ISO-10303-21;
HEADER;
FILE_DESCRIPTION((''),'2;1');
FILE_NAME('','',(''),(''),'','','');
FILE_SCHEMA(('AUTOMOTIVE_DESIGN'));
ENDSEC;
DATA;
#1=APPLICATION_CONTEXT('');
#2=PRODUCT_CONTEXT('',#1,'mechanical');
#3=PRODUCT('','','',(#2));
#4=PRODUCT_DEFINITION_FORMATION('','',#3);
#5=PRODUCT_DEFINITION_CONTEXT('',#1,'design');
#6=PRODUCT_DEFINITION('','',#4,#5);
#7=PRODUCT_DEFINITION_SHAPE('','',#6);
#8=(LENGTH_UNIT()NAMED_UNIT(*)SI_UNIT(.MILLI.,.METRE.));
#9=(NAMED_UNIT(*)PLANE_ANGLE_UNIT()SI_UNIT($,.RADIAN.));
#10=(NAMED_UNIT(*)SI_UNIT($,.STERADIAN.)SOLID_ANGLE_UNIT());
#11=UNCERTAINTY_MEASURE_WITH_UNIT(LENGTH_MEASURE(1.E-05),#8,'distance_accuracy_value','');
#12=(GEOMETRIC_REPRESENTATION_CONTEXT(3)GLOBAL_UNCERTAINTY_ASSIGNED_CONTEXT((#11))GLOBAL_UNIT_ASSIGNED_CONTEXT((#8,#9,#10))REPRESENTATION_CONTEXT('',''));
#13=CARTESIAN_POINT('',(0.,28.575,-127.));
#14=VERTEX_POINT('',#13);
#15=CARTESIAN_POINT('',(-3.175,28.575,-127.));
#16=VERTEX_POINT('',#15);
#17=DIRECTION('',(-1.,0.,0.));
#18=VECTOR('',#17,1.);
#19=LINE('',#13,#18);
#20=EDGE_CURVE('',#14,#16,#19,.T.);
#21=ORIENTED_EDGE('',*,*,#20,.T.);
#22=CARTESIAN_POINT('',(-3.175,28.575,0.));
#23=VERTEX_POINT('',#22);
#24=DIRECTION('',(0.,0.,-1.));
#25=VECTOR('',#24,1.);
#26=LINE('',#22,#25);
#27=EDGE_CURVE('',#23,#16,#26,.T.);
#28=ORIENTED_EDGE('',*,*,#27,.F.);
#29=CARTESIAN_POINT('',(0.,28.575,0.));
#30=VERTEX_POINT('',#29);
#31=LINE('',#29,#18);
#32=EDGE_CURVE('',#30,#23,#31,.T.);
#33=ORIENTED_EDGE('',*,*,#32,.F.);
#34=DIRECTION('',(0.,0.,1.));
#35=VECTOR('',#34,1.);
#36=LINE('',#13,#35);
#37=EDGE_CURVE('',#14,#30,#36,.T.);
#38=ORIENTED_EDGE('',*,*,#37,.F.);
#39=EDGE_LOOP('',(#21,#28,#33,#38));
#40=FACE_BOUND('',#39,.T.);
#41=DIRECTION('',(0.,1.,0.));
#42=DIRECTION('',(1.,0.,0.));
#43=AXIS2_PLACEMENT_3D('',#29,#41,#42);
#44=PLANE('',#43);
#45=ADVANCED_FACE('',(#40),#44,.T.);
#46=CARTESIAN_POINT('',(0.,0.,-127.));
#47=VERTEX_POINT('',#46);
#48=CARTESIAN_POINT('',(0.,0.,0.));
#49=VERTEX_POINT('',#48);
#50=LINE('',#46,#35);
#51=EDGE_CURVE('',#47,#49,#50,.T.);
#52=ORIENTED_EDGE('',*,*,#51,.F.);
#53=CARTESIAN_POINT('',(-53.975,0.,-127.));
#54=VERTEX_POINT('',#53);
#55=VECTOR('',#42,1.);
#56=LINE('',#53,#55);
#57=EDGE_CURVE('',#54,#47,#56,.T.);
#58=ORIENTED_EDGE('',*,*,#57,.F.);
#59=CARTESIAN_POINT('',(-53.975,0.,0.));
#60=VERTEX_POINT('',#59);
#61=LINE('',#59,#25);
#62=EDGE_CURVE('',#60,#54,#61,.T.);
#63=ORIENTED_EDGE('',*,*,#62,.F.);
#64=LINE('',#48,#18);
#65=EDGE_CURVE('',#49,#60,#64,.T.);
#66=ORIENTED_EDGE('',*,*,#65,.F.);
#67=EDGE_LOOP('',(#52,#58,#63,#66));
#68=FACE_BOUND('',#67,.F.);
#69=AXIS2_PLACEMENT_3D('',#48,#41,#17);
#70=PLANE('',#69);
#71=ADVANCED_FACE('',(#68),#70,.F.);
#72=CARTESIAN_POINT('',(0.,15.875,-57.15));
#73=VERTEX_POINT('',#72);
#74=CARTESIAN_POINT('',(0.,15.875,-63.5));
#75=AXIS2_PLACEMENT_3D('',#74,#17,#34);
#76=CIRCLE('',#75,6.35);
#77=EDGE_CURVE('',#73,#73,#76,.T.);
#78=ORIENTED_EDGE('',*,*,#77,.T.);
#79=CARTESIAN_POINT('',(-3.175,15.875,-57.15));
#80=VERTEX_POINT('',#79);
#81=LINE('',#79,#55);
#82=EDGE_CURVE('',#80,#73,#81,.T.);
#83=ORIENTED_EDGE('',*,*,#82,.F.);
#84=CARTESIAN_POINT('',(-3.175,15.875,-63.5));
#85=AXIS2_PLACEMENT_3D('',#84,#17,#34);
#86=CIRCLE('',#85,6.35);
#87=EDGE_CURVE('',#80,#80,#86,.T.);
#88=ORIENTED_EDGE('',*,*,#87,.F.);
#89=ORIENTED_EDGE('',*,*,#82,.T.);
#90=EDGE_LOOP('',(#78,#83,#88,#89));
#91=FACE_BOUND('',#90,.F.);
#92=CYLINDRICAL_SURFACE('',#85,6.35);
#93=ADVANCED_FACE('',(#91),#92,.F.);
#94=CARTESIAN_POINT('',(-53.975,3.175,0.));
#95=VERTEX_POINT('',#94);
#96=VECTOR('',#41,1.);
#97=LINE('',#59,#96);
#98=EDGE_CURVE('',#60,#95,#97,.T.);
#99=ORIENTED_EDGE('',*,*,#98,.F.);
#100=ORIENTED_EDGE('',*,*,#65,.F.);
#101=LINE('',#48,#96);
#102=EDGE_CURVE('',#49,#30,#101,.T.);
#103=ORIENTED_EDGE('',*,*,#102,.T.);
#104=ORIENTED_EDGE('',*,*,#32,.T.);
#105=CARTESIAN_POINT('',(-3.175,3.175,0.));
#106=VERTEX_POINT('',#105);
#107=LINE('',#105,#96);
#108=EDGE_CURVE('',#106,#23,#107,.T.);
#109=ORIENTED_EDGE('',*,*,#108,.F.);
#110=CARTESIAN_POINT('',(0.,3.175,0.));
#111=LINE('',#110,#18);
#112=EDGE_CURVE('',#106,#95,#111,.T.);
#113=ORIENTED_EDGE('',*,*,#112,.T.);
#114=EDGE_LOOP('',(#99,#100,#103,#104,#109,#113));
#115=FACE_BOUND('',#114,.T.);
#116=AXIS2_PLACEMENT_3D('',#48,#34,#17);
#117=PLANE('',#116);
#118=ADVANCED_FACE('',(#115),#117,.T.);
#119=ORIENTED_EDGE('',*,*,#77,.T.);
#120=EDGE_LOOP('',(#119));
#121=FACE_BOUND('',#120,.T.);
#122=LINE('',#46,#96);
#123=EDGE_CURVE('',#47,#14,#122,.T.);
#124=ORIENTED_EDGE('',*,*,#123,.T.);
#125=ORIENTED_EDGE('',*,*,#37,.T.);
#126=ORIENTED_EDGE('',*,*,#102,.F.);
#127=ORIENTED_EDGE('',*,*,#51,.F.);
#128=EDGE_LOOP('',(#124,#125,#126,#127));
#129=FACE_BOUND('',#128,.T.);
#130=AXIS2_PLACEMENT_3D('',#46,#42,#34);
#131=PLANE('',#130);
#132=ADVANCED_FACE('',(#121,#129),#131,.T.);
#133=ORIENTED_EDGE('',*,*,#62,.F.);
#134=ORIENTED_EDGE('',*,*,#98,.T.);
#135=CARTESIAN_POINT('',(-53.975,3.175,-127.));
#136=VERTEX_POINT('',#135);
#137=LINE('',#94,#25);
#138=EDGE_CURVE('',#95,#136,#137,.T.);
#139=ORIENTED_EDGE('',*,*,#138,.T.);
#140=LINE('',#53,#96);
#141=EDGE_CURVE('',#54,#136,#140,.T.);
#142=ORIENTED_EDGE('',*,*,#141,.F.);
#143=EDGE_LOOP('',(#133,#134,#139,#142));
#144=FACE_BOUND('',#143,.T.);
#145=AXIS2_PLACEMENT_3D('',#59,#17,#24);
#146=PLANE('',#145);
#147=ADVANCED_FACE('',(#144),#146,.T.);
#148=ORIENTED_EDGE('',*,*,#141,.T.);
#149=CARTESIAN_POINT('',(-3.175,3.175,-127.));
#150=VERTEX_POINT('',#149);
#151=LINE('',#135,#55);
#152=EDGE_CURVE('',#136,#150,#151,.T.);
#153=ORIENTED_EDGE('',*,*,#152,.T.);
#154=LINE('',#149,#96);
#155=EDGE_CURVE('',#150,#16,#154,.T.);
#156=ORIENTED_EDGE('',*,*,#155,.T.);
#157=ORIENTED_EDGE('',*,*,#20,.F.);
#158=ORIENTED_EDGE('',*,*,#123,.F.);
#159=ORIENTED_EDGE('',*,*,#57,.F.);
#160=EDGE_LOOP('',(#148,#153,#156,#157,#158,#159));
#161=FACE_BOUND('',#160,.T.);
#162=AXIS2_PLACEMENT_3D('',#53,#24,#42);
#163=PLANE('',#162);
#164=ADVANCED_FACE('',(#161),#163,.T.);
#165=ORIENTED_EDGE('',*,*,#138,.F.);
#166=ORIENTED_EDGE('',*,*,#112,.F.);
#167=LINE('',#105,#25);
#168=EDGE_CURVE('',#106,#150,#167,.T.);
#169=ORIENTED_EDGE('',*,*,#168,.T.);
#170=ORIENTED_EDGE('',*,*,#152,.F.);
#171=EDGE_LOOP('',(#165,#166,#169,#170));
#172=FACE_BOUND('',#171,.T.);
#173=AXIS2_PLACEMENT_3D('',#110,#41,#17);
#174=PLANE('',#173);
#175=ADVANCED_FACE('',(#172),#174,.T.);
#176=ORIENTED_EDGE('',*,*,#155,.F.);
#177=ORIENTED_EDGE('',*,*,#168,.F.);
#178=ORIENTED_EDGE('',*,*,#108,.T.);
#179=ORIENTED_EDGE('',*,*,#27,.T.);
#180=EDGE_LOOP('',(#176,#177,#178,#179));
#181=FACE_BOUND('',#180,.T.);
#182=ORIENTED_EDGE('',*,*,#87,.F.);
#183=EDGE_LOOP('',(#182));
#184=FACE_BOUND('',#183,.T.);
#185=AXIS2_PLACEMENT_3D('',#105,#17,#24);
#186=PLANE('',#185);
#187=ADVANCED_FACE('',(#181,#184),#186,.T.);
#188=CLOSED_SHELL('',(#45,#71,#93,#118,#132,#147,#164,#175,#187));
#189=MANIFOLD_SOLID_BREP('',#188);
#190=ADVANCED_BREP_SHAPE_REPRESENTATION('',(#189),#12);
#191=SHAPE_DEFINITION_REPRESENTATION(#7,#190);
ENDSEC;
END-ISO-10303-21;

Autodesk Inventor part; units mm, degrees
ref_plane "YZ Plane" through (0, 0, 0) normal (1, 0, 0) x (0, 1, 0)
ref_plane "XZ Plane" through (0, 0, 0) normal (0, 1, 0) x (-1, 0, 0)
ref_plane "XY Plane" through (0, 0, 0) normal (0, 0, 1) x (1, 0, 0)
sketch "Sketch1" plane through (0, 0, 0) normal (0, 1, 0) x (-1, 0, 0)
  line L0 (0, 0) -> (53.975, 0)
  line L1 (53.975, 0) -> (53.975, -127)
  line L2 (53.975, -127) -> (0, -127)
  line L3 (0, -127) -> (0, 0)
  dimension "d0" = 53.975
  dimension "d1" = 127
extrude "Extrusion1" add sketch "Sketch1" along normal blind 3.175
sketch "Sketch2" plane through (0, 3.175, 0) normal (0, 1, 0) x (1, 0, 0)
  line L0 (0, 127) -> (-53.975, 127) projected
  line L1 (0, 0) -> (-3.175, 0)
  line L2 (-3.175, 0) -> (-3.175, 127)
  line L3 (-3.175, 127) -> (0, 127)
  line L4 (0, 127) -> (0, 0)
  dimension "d4" = 3.175
extrude "Extrusion2" add sketch "Sketch2" along normal blind 25.4
sketch "Sketch3" plane through (-3.175, 3.175, -127) normal (-1, 0, 0) x (0, 0, 1)
  circle A0 centre (63.5, 12.7) radius 6.35
  line L0 (0, 25.4) -> (127, 25.4) projected
  line L1 (0, 0) -> (0, 25.4) projected
  point P0 (127, -3.175)
  dimension "d7" = 12.7
  dimension "d8" = 12.7
  dimension "d9" = 63.5
extrude "Extrusion3" cut sketch "Sketch3" against normal blind 3.175
properties part number "First Pivot Point"
